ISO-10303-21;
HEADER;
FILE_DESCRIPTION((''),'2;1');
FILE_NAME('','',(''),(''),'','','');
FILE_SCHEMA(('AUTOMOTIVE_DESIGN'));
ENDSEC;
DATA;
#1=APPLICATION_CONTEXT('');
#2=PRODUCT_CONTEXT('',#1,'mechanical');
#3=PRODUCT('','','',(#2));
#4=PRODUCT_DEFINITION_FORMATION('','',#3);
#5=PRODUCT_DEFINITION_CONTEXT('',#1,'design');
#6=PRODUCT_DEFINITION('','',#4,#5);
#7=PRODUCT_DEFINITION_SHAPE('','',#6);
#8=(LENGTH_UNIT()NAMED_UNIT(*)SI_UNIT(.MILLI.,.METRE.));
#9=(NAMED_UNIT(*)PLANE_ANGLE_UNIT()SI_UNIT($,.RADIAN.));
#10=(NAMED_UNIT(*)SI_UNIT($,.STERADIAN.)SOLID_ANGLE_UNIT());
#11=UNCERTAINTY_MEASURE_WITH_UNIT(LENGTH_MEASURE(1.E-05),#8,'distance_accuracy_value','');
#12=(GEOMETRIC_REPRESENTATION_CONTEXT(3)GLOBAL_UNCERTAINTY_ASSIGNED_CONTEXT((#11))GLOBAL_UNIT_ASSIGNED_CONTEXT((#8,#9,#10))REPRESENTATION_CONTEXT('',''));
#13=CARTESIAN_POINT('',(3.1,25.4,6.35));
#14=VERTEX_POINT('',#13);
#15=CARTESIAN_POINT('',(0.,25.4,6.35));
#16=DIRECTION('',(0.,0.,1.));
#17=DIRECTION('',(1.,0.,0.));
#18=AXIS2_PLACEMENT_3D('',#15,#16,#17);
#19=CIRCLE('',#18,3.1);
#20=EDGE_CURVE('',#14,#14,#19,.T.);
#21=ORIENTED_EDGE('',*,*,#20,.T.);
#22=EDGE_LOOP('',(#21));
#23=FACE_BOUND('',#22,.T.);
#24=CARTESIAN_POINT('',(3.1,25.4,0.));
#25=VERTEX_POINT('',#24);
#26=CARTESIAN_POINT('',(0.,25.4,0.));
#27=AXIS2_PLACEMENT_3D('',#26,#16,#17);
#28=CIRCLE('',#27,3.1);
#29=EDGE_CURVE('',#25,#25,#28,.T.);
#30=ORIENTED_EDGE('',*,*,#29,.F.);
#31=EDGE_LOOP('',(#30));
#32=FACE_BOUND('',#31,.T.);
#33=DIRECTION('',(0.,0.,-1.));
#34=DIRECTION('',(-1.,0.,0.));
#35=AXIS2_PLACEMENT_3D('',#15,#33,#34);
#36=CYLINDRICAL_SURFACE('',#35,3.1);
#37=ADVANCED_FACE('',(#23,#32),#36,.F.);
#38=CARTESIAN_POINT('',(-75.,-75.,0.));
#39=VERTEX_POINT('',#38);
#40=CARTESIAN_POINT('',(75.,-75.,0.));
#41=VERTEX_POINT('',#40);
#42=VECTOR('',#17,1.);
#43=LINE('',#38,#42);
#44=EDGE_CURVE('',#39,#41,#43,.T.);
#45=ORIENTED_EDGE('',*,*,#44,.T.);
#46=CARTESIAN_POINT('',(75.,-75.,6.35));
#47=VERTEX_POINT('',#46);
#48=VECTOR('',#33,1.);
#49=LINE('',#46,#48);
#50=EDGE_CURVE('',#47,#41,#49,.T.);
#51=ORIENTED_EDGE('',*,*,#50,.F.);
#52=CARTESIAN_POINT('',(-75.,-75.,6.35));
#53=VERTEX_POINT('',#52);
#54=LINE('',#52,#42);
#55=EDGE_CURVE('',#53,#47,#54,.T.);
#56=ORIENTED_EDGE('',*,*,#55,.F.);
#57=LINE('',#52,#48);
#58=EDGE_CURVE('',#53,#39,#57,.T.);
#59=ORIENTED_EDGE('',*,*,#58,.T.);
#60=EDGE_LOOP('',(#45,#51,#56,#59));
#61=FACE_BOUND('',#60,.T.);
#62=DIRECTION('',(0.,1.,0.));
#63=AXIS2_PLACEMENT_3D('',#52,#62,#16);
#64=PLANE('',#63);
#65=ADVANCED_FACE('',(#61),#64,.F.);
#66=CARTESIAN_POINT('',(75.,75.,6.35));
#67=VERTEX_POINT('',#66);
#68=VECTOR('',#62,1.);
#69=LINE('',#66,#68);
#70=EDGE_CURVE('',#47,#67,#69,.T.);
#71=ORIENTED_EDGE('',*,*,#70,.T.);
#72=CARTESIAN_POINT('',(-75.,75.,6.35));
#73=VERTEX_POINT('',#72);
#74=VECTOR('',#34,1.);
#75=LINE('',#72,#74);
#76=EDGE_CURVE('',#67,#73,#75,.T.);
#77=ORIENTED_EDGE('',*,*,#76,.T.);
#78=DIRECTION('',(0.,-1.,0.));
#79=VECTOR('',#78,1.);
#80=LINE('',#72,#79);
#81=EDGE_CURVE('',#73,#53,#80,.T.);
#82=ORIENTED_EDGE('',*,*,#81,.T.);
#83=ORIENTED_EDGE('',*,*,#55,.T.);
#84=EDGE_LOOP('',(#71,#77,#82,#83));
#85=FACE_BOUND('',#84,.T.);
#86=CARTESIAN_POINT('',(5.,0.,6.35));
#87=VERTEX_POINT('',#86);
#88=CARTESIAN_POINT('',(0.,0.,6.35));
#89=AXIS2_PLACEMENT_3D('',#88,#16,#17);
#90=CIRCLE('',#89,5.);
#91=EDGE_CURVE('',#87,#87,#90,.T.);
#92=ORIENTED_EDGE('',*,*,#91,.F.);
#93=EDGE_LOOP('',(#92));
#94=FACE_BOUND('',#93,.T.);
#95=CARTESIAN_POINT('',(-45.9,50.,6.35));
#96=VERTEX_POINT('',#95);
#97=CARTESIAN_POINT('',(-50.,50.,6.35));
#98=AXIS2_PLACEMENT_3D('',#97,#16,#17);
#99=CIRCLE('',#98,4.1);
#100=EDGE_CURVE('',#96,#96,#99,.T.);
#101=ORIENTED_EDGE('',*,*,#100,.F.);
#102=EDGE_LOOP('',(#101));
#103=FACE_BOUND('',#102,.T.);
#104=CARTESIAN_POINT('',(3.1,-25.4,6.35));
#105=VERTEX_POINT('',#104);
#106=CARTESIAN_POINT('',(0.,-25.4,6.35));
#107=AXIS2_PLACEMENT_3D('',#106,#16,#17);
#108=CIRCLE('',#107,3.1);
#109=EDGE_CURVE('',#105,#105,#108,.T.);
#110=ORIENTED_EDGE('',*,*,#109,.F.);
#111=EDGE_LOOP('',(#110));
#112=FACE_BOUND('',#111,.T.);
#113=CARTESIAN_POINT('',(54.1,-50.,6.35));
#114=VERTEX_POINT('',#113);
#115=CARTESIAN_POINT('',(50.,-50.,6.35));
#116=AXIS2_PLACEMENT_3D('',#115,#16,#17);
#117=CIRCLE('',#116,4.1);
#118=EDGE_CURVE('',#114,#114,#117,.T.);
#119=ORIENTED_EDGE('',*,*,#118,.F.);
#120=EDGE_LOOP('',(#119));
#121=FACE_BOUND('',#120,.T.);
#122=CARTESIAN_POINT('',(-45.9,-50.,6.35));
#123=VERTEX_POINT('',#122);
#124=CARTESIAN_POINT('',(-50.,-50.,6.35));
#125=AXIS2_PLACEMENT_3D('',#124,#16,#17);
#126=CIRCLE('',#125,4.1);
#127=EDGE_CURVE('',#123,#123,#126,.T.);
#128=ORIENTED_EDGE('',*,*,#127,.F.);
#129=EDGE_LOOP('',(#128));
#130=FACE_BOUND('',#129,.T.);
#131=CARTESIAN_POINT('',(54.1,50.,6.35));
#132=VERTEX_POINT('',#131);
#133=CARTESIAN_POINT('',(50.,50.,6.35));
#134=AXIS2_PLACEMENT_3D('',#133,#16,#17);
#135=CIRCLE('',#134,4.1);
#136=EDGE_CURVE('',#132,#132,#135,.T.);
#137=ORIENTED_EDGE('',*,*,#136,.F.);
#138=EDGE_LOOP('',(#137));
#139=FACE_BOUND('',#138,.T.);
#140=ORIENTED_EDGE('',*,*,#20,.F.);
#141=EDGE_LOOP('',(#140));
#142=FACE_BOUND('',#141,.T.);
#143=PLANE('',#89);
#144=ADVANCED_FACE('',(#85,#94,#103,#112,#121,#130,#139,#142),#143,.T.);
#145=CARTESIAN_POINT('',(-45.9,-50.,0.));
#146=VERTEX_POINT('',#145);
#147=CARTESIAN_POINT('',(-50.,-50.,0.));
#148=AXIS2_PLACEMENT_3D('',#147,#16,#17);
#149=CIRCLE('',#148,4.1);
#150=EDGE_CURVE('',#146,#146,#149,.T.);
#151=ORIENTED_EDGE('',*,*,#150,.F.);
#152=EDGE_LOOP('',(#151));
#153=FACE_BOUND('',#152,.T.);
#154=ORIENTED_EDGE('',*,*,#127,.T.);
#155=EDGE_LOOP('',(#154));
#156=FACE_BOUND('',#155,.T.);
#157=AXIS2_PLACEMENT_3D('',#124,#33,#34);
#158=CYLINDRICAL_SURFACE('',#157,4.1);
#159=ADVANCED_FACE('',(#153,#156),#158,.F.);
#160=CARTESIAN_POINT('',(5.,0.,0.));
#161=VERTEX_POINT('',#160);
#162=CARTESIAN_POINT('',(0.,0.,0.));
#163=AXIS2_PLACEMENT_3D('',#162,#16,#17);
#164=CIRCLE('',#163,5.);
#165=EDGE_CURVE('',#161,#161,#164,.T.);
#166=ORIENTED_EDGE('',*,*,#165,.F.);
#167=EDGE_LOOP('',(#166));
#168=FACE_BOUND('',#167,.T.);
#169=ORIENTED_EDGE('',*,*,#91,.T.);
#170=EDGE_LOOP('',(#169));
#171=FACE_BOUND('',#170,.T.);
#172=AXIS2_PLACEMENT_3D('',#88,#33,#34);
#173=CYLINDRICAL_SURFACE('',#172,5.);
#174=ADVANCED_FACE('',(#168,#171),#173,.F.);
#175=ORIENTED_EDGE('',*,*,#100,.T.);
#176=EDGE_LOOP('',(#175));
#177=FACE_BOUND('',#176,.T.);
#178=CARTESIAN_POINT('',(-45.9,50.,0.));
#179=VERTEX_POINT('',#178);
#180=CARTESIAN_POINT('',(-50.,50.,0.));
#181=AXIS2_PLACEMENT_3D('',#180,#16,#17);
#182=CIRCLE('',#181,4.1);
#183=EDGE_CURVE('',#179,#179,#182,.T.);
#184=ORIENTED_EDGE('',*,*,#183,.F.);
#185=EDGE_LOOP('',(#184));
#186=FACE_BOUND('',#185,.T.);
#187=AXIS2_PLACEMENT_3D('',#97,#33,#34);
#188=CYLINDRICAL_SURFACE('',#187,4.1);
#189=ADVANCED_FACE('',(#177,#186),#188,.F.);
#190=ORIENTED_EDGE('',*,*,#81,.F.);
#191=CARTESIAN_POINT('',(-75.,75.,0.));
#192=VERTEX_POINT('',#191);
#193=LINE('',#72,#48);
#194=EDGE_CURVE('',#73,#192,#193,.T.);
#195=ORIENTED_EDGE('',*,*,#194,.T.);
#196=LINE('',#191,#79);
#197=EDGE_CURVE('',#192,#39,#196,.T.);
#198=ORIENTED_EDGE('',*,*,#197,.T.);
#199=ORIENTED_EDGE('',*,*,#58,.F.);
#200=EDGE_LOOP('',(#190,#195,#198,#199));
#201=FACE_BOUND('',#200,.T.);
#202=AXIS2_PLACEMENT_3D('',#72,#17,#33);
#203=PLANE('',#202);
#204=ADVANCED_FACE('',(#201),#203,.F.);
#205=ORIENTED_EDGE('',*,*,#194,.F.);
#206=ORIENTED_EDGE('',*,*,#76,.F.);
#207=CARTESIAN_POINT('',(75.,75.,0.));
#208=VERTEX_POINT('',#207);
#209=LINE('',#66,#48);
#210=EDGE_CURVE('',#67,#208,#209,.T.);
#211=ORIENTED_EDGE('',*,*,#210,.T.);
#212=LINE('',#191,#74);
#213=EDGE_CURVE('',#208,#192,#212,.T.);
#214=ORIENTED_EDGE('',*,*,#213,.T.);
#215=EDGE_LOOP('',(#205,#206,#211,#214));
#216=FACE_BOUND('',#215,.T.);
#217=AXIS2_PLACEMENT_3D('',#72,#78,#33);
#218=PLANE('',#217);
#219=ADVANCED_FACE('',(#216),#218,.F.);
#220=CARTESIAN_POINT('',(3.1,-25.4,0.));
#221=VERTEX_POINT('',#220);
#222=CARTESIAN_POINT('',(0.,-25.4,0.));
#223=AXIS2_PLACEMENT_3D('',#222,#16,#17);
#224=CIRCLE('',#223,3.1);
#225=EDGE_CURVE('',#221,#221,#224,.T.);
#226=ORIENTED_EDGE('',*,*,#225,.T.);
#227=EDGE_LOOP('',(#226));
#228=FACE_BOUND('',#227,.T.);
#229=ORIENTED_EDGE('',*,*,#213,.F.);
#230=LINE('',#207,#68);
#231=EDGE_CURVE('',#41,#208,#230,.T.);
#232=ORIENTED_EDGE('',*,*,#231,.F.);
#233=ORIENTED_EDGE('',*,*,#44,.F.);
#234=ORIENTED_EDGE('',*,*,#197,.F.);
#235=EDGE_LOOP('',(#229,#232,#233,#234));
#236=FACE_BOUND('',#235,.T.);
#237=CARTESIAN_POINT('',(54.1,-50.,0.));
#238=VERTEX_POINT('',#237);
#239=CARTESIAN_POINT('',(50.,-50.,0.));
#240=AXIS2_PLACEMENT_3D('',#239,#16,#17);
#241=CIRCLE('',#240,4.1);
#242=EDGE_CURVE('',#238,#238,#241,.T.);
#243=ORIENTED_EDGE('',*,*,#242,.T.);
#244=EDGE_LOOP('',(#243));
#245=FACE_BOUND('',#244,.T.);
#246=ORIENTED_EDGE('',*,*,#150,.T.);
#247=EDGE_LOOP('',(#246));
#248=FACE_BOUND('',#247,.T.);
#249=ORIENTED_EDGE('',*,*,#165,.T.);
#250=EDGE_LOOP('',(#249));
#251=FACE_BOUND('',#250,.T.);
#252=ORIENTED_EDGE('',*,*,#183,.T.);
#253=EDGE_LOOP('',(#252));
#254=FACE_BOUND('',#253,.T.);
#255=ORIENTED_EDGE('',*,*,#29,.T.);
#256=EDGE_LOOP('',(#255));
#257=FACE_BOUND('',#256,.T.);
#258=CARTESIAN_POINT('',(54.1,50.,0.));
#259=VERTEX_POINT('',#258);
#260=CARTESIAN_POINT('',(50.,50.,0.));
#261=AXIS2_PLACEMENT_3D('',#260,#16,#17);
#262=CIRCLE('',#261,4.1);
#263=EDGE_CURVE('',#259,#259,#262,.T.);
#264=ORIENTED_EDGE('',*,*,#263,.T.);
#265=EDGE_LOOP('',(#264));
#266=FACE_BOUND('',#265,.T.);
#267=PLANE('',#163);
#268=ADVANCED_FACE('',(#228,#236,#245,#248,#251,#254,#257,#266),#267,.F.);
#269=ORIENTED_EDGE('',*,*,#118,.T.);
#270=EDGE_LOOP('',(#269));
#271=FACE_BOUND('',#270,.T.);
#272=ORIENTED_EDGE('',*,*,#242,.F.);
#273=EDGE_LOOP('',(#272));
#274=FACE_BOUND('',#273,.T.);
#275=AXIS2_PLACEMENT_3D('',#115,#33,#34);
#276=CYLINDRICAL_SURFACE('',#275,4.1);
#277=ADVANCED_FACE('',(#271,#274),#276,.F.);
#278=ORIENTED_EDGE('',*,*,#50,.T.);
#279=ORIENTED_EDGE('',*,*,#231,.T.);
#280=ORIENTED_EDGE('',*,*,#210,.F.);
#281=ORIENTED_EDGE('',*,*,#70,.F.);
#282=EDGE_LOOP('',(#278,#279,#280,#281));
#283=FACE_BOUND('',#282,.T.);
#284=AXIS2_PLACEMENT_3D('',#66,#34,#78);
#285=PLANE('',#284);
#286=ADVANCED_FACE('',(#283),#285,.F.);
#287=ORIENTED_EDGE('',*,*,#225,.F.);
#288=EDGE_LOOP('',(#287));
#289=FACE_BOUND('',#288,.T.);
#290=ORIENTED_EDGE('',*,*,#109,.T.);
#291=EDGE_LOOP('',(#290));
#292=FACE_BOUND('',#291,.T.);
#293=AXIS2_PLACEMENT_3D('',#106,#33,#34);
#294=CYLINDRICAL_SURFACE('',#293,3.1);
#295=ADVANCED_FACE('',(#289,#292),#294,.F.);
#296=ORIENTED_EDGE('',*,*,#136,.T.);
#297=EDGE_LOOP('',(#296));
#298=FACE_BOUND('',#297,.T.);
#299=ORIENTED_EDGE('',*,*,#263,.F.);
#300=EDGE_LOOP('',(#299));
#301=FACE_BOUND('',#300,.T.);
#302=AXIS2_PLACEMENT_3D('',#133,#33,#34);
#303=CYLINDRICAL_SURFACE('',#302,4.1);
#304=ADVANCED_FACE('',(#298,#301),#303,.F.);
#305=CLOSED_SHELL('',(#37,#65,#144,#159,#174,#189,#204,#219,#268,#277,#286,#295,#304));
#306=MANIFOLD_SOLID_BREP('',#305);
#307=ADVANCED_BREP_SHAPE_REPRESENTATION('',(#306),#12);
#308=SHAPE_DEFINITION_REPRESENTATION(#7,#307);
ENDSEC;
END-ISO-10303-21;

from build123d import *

# Parameters (mm, degrees)
CROQUIS1_W              = 150
CROQUIS1_H              = 150
CROQUIS1_R              = 3.1
CROQUIS1_R_2            = 4.1
CROQUIS1_R_3            = 5
SALIENTE_EXTRUIR1_DEPTH = 6.35


with BuildPart() as part:
    # Croquis1 → Saliente-Extruir1 (new body)
    with BuildSketch(Plane.XY):
        Rectangle(CROQUIS1_W, CROQUIS1_H)
        with Locations((0, 25.4)):
            Circle(CROQUIS1_R, mode=Mode.SUBTRACT)
        with Locations((0, -25.4)):
            Circle(CROQUIS1_R, mode=Mode.SUBTRACT)
        with Locations((-50, 50)):
            Circle(CROQUIS1_R_2, mode=Mode.SUBTRACT)
        with Locations((50, 50)):
            Circle(CROQUIS1_R_2, mode=Mode.SUBTRACT)
        with Locations((50, -50)):
            Circle(CROQUIS1_R_2, mode=Mode.SUBTRACT)
        with Locations((-50, -50)):
            Circle(CROQUIS1_R_2, mode=Mode.SUBTRACT)
        Circle(CROQUIS1_R_3, mode=Mode.SUBTRACT)
    extrude(amount=SALIENTE_EXTRUIR1_DEPTH)


solid = part.part
